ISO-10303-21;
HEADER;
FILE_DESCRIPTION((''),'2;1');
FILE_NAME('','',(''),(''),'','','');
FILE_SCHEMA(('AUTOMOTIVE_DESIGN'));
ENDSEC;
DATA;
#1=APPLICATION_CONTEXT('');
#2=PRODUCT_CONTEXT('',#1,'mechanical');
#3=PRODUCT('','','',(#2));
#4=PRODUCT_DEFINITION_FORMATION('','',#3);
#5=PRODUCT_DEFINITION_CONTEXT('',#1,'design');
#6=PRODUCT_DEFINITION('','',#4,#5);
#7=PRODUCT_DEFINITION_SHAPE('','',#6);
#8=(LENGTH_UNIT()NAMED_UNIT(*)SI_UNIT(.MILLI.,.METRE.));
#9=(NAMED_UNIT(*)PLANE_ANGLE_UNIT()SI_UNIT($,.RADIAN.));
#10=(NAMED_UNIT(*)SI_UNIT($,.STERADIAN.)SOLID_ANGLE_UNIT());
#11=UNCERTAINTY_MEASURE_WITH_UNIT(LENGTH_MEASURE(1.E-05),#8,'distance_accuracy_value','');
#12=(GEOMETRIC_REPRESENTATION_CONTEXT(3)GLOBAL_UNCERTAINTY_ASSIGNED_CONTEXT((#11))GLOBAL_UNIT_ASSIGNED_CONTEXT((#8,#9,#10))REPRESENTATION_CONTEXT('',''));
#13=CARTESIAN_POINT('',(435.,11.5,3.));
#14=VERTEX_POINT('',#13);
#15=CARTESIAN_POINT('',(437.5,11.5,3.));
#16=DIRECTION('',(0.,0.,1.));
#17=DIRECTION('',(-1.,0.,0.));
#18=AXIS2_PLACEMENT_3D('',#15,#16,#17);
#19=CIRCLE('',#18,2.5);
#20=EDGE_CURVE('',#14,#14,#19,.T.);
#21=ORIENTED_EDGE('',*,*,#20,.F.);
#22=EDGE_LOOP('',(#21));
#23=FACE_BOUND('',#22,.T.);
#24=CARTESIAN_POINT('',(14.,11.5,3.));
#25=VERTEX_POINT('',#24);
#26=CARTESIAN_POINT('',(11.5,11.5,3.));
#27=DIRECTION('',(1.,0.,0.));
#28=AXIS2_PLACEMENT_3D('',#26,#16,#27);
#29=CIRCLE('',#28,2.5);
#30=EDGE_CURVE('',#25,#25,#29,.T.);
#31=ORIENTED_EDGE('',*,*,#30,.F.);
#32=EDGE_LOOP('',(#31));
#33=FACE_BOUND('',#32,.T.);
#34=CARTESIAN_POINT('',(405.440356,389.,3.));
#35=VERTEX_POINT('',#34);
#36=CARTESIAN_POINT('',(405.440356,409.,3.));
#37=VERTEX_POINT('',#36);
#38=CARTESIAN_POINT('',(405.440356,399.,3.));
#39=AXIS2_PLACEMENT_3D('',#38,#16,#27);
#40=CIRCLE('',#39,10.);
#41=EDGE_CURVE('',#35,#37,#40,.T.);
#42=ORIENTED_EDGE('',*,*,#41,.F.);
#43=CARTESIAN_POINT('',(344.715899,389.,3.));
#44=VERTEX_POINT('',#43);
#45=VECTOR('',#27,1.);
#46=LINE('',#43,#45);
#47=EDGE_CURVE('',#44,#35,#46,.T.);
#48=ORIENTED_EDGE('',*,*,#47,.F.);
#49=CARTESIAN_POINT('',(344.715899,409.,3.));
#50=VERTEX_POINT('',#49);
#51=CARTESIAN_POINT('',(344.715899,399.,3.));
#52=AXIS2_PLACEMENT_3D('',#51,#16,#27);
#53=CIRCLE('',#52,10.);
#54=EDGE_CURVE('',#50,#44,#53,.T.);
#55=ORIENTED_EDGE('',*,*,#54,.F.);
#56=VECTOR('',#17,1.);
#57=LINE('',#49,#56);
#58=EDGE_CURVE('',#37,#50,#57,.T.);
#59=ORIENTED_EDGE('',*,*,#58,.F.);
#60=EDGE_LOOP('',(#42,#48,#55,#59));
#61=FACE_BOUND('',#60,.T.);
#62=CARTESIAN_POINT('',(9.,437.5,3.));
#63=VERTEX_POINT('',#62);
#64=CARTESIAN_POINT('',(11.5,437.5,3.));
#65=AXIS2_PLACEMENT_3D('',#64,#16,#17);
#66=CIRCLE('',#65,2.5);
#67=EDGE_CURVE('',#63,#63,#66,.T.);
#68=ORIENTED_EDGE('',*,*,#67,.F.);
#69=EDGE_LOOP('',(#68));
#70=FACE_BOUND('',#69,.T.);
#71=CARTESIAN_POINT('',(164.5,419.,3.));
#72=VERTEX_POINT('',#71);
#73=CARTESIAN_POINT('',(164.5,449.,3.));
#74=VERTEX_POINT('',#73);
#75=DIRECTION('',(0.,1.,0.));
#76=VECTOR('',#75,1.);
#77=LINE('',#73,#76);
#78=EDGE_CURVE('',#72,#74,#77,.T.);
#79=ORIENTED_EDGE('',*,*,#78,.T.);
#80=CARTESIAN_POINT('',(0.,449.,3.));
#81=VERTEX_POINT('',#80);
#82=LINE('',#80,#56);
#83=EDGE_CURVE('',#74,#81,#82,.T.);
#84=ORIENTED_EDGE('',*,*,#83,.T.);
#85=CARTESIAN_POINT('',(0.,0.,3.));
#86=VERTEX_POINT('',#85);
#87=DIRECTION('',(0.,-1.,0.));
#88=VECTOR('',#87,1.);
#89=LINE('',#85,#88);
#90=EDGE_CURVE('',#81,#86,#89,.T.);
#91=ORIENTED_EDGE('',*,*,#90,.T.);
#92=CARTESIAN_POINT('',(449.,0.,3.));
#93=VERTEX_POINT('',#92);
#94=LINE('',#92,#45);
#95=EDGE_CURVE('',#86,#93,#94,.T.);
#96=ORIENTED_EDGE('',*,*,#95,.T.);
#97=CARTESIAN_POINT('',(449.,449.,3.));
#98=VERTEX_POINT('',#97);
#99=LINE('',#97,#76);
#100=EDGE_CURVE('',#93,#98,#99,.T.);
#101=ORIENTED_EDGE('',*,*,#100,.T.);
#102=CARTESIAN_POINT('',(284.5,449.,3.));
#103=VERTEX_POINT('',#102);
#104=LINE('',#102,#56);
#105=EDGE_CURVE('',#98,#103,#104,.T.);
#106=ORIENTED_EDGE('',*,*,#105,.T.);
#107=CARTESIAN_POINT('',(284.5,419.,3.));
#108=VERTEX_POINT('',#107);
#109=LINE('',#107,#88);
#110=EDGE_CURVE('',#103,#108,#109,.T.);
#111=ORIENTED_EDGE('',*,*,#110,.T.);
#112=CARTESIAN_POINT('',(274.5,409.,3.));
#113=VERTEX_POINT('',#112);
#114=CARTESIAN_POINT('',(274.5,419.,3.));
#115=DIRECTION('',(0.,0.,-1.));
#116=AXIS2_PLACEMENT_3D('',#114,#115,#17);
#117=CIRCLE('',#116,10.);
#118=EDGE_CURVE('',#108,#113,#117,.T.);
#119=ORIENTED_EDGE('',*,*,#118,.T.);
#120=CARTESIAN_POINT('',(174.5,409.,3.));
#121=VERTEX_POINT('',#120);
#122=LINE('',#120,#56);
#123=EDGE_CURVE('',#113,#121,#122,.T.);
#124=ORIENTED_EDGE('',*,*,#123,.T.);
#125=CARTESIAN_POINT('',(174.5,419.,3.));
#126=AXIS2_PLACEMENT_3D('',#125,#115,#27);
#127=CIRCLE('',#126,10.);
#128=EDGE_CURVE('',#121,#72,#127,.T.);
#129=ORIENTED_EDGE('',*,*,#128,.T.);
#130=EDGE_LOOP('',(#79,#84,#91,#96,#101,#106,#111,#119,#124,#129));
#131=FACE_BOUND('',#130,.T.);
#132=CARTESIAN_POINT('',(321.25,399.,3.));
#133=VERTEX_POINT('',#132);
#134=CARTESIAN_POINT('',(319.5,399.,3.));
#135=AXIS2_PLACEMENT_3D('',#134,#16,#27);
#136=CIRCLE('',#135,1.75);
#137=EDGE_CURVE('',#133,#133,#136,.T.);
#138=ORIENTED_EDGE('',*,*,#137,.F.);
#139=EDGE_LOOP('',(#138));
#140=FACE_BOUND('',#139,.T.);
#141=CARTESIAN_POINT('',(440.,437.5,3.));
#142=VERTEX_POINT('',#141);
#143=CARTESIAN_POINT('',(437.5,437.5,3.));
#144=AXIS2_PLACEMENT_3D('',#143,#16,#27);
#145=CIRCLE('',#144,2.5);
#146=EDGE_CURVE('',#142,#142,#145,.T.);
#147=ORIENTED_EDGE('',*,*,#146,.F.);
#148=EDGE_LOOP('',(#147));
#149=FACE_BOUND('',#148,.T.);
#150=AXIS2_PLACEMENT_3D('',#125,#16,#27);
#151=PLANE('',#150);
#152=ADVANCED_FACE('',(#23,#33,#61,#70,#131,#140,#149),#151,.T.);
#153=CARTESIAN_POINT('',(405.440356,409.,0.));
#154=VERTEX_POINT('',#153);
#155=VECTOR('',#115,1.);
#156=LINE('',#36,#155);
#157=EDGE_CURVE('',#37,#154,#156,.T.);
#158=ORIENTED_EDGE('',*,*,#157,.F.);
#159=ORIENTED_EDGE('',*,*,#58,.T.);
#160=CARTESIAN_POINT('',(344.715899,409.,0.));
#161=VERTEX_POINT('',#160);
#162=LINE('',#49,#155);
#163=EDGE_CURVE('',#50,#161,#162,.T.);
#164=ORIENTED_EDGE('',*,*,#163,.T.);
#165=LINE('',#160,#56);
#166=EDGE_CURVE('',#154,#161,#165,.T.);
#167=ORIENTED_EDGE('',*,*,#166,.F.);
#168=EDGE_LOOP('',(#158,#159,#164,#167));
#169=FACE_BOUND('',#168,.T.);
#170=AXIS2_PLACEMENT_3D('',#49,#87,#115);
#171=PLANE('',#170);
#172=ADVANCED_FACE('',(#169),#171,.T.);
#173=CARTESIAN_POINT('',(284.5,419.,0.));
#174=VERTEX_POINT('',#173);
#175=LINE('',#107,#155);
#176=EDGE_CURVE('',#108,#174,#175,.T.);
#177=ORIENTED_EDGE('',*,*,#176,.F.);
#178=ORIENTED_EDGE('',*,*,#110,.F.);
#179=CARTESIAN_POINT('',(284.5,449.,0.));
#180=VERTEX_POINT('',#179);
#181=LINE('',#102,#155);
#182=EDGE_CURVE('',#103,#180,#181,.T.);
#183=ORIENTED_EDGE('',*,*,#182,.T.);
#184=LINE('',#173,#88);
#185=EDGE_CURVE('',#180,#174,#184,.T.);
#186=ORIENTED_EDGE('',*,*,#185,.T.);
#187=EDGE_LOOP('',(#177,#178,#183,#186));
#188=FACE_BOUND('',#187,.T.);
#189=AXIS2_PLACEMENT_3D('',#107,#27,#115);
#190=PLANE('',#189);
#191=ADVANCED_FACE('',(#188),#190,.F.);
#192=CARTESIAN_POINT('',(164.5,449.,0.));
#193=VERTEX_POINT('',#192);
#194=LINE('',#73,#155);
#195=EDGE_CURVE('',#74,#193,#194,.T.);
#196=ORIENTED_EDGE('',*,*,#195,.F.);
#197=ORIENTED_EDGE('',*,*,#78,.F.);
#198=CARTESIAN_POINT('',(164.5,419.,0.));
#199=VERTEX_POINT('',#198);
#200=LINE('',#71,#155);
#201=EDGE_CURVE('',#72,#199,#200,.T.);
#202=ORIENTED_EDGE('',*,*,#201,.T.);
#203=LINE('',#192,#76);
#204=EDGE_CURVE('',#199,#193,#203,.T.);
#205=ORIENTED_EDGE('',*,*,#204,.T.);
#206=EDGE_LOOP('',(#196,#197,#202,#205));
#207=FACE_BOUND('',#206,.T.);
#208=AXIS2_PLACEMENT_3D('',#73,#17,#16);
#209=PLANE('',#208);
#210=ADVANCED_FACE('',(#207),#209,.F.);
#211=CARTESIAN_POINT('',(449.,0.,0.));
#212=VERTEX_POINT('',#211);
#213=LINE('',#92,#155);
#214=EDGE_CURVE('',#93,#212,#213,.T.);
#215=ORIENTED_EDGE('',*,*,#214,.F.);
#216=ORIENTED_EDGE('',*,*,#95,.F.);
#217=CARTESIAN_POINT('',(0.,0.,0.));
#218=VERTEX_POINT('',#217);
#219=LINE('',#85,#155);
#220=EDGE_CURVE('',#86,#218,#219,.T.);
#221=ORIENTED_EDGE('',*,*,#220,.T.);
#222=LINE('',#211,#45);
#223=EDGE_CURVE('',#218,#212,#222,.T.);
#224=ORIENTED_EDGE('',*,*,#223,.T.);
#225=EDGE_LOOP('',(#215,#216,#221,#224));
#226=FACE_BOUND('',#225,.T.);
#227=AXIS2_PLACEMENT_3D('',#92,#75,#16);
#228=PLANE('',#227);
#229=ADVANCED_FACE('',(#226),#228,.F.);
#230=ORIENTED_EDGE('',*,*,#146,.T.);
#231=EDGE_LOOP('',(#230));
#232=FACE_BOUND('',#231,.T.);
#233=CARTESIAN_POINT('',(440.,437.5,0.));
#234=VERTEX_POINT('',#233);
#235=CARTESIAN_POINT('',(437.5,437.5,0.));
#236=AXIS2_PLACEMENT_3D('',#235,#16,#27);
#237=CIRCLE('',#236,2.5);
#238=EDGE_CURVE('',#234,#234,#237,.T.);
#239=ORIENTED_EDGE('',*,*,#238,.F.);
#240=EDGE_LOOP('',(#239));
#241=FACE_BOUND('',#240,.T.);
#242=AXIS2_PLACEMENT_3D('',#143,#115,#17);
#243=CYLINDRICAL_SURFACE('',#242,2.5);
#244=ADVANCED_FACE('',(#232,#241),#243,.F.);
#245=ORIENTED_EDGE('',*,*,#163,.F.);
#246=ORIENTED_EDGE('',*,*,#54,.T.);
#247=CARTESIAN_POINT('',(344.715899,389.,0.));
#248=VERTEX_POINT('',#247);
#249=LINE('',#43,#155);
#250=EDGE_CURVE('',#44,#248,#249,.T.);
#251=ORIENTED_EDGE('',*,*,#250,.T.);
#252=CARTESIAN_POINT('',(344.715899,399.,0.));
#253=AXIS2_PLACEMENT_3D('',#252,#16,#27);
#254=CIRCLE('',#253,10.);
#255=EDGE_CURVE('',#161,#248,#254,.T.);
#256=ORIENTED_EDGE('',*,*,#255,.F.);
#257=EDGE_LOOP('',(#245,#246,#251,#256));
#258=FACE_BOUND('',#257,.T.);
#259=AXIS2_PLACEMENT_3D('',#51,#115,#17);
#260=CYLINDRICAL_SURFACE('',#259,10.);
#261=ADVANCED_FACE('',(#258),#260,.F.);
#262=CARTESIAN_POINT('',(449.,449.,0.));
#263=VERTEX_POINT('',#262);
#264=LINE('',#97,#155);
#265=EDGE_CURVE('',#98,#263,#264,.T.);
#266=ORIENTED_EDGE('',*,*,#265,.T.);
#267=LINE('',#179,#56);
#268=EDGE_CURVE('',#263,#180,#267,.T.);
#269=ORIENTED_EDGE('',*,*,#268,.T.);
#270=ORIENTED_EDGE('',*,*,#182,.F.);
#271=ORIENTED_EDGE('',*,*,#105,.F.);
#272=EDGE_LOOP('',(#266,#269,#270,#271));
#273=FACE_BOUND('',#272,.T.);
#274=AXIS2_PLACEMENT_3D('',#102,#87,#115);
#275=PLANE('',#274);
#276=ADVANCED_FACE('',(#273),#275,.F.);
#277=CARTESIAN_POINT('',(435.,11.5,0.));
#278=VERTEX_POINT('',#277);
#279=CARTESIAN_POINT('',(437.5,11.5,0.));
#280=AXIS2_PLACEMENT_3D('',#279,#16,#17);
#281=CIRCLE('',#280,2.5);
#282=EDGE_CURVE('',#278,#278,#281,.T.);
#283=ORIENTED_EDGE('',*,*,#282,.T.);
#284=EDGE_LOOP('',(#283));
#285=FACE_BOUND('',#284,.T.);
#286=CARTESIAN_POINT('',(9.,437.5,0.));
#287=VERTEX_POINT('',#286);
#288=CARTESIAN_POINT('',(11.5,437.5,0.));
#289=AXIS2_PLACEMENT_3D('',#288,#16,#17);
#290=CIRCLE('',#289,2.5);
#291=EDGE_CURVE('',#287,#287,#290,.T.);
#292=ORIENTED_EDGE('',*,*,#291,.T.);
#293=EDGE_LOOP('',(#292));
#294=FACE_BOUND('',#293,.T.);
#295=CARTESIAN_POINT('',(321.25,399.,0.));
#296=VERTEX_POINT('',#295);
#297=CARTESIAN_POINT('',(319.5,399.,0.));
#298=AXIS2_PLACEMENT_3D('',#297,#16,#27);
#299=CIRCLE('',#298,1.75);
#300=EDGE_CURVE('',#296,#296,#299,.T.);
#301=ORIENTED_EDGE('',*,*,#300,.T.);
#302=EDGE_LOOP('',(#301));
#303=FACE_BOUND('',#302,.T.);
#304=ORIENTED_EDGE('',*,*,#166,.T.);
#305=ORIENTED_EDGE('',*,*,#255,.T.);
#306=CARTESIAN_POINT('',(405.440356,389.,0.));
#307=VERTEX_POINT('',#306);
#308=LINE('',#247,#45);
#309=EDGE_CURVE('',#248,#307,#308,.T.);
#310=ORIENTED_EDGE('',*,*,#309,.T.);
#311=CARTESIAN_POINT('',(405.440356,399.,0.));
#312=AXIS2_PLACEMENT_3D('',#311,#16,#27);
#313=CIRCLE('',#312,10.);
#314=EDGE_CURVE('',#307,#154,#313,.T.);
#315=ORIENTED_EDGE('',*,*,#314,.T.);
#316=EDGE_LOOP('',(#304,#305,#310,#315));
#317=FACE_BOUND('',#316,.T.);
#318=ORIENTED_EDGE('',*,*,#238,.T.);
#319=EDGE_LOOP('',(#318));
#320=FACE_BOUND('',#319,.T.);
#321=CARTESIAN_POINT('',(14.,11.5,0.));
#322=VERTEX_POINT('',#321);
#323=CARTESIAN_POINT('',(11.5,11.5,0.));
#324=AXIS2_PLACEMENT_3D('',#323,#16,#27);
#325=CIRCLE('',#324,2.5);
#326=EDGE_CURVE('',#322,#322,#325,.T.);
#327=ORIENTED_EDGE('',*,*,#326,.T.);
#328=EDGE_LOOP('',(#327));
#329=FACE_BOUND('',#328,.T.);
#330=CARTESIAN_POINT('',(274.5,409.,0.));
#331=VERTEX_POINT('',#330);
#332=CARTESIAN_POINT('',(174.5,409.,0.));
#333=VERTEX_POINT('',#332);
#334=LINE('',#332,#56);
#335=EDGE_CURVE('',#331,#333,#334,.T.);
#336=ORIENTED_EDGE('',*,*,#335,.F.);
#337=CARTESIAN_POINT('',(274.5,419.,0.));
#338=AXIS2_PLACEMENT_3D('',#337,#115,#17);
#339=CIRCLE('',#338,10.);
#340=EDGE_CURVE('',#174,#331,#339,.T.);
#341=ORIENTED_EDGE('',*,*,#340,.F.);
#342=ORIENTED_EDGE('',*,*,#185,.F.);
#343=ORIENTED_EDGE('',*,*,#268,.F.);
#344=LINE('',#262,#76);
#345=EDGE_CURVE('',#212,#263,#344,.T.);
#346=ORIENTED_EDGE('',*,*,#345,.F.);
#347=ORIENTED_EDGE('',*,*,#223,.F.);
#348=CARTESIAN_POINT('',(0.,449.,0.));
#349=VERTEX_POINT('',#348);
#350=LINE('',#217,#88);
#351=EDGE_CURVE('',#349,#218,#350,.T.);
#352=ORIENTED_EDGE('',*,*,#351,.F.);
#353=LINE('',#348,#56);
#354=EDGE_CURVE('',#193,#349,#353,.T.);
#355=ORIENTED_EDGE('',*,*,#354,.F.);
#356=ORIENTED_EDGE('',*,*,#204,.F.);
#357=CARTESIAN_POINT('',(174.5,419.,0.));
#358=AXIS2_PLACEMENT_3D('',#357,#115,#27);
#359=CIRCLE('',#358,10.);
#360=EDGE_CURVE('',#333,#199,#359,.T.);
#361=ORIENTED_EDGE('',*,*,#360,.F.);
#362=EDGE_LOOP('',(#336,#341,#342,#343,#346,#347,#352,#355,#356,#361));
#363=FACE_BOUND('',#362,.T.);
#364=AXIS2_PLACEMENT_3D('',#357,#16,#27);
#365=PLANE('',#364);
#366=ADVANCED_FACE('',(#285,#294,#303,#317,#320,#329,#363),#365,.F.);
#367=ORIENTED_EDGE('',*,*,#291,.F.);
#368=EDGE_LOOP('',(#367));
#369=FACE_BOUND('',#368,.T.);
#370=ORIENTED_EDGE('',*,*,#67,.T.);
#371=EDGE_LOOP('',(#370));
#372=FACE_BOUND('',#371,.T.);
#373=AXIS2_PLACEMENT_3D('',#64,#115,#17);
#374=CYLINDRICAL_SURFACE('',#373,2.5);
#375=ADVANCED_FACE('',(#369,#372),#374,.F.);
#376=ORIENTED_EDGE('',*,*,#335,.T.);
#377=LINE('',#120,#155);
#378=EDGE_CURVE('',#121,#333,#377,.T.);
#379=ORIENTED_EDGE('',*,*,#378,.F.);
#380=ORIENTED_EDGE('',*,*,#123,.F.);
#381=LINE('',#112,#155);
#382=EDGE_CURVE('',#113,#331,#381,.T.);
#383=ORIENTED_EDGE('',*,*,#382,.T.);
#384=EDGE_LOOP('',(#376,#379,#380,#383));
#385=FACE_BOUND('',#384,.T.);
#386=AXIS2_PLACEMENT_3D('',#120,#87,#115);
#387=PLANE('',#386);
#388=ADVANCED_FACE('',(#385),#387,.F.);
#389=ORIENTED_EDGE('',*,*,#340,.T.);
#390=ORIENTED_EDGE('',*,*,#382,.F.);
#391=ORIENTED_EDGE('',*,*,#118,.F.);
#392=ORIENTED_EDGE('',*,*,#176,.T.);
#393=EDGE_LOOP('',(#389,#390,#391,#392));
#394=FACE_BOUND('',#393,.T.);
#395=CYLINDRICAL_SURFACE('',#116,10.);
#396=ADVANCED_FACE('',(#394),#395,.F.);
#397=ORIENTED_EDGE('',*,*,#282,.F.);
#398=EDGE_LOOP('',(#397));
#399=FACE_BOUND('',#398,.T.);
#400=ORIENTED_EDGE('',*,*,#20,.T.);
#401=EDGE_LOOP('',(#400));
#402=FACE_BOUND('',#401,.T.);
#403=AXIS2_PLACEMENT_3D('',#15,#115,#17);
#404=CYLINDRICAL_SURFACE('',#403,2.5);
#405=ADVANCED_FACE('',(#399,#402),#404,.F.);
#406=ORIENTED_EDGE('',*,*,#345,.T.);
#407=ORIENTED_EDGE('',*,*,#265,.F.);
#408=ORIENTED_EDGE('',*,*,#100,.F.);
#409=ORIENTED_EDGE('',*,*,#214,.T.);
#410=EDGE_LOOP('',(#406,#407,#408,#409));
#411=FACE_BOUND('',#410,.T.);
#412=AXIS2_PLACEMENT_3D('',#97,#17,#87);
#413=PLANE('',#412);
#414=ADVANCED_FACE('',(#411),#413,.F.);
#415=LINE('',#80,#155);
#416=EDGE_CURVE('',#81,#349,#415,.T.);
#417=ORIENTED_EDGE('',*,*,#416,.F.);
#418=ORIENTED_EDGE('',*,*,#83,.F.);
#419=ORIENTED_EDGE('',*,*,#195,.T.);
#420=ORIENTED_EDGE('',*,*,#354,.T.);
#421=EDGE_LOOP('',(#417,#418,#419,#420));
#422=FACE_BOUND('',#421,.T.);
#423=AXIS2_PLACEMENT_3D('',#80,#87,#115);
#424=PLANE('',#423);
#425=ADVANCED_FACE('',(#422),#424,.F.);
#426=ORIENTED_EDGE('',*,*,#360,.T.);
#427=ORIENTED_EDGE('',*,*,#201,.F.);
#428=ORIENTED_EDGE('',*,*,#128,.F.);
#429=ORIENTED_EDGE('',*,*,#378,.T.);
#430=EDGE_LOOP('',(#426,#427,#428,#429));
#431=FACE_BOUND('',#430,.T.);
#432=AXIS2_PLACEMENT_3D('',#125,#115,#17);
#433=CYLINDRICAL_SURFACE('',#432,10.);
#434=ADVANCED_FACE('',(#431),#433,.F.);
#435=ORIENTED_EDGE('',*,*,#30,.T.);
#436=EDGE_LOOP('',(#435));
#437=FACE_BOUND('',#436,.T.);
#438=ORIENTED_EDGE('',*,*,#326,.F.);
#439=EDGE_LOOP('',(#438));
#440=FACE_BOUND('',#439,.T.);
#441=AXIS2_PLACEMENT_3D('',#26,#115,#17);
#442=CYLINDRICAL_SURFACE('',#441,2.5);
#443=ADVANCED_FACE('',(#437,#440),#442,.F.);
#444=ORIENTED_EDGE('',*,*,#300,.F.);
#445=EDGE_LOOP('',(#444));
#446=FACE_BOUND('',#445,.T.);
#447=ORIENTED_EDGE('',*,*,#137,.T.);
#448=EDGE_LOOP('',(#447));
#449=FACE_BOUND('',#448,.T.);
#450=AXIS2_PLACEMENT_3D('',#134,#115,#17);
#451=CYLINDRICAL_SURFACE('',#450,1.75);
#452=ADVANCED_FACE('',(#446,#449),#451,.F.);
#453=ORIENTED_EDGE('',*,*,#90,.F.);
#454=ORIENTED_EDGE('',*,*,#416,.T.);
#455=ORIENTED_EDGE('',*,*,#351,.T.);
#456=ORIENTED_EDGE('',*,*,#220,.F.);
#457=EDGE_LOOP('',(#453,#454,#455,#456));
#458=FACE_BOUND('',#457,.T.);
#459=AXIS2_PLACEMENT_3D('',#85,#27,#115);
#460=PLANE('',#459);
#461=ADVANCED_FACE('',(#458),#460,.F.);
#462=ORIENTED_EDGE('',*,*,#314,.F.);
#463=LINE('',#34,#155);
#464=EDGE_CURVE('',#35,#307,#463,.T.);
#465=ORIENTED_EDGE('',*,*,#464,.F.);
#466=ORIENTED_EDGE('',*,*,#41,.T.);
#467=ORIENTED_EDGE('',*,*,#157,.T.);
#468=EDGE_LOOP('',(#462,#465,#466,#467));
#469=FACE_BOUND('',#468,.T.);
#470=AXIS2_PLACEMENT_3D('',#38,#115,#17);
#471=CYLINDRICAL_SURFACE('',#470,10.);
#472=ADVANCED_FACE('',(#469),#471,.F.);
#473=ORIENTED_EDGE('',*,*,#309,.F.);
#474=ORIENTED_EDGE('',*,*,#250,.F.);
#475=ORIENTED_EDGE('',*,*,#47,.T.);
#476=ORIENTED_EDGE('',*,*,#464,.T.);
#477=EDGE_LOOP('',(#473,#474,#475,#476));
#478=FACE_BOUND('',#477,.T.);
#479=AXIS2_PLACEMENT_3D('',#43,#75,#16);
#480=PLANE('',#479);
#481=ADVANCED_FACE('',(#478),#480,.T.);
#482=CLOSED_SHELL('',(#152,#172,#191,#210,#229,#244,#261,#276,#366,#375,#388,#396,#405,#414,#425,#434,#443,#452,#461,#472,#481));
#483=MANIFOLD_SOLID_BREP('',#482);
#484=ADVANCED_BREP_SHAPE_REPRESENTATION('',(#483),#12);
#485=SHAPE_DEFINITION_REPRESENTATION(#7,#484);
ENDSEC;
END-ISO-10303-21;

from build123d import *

# Parameters (mm, degrees)
SCHIZZO1_R                   = 2.5
SCHIZZO1_R_2                 = 1.75
ESTRUSIONE_ESTRUSIONE1_DEPTH = 3


with BuildPart() as part:
    # Schizzo1 → Estrusione-Estrusione1 (new body)
    with BuildSketch(Plane.XY):
        with BuildLine():
            Line((0, 0), (0, 449))
            Line((0, 449), (164.5, 449))
            Line((164.5, 449), (164.5, 419))
            ThreePointArc((164.5, 419), (167.428932188, 411.928932188), (174.5, 409))
            Line((174.5, 409), (274.5, 409))
            ThreePointArc((274.5, 409), (281.571067812, 411.928932188), (284.5, 419))
            Line((284.5, 419), (284.5, 449))
            Line((284.5, 449), (449, 449))
            Line((449, 449), (449, 0))
            Line((449, 0), (0, 0))
        make_face()
        with Locations((11.5, 11.5)):
            Circle(SCHIZZO1_R, mode=Mode.SUBTRACT)
        with Locations(Location((437.5, 11.5, 0), (0, 0, 180))):
            Circle(SCHIZZO1_R, mode=Mode.SUBTRACT)
        with Locations((437.5, 437.5)):
            Circle(SCHIZZO1_R, mode=Mode.SUBTRACT)
        with Locations(Location((11.5, 437.5, 0), (0, 0, 180))):
            Circle(SCHIZZO1_R, mode=Mode.SUBTRACT)
        with Locations((319.5, 399)):
            Circle(SCHIZZO1_R_2, mode=Mode.SUBTRACT)
        with BuildLine():
            Line((344.715899345, 409), (405.440355678, 409))
            ThreePointArc((405.440355678, 409), (415.440355678, 399), (405.440355678, 389))
            Line((405.440355678, 389), (344.715899345, 389))
            ThreePointArc((344.715899345, 389), (334.715899345, 399), (344.715899345, 409))
        make_face(mode=Mode.SUBTRACT)
    extrude(amount=ESTRUSIONE_ESTRUSIONE1_DEPTH)


solid = part.part
